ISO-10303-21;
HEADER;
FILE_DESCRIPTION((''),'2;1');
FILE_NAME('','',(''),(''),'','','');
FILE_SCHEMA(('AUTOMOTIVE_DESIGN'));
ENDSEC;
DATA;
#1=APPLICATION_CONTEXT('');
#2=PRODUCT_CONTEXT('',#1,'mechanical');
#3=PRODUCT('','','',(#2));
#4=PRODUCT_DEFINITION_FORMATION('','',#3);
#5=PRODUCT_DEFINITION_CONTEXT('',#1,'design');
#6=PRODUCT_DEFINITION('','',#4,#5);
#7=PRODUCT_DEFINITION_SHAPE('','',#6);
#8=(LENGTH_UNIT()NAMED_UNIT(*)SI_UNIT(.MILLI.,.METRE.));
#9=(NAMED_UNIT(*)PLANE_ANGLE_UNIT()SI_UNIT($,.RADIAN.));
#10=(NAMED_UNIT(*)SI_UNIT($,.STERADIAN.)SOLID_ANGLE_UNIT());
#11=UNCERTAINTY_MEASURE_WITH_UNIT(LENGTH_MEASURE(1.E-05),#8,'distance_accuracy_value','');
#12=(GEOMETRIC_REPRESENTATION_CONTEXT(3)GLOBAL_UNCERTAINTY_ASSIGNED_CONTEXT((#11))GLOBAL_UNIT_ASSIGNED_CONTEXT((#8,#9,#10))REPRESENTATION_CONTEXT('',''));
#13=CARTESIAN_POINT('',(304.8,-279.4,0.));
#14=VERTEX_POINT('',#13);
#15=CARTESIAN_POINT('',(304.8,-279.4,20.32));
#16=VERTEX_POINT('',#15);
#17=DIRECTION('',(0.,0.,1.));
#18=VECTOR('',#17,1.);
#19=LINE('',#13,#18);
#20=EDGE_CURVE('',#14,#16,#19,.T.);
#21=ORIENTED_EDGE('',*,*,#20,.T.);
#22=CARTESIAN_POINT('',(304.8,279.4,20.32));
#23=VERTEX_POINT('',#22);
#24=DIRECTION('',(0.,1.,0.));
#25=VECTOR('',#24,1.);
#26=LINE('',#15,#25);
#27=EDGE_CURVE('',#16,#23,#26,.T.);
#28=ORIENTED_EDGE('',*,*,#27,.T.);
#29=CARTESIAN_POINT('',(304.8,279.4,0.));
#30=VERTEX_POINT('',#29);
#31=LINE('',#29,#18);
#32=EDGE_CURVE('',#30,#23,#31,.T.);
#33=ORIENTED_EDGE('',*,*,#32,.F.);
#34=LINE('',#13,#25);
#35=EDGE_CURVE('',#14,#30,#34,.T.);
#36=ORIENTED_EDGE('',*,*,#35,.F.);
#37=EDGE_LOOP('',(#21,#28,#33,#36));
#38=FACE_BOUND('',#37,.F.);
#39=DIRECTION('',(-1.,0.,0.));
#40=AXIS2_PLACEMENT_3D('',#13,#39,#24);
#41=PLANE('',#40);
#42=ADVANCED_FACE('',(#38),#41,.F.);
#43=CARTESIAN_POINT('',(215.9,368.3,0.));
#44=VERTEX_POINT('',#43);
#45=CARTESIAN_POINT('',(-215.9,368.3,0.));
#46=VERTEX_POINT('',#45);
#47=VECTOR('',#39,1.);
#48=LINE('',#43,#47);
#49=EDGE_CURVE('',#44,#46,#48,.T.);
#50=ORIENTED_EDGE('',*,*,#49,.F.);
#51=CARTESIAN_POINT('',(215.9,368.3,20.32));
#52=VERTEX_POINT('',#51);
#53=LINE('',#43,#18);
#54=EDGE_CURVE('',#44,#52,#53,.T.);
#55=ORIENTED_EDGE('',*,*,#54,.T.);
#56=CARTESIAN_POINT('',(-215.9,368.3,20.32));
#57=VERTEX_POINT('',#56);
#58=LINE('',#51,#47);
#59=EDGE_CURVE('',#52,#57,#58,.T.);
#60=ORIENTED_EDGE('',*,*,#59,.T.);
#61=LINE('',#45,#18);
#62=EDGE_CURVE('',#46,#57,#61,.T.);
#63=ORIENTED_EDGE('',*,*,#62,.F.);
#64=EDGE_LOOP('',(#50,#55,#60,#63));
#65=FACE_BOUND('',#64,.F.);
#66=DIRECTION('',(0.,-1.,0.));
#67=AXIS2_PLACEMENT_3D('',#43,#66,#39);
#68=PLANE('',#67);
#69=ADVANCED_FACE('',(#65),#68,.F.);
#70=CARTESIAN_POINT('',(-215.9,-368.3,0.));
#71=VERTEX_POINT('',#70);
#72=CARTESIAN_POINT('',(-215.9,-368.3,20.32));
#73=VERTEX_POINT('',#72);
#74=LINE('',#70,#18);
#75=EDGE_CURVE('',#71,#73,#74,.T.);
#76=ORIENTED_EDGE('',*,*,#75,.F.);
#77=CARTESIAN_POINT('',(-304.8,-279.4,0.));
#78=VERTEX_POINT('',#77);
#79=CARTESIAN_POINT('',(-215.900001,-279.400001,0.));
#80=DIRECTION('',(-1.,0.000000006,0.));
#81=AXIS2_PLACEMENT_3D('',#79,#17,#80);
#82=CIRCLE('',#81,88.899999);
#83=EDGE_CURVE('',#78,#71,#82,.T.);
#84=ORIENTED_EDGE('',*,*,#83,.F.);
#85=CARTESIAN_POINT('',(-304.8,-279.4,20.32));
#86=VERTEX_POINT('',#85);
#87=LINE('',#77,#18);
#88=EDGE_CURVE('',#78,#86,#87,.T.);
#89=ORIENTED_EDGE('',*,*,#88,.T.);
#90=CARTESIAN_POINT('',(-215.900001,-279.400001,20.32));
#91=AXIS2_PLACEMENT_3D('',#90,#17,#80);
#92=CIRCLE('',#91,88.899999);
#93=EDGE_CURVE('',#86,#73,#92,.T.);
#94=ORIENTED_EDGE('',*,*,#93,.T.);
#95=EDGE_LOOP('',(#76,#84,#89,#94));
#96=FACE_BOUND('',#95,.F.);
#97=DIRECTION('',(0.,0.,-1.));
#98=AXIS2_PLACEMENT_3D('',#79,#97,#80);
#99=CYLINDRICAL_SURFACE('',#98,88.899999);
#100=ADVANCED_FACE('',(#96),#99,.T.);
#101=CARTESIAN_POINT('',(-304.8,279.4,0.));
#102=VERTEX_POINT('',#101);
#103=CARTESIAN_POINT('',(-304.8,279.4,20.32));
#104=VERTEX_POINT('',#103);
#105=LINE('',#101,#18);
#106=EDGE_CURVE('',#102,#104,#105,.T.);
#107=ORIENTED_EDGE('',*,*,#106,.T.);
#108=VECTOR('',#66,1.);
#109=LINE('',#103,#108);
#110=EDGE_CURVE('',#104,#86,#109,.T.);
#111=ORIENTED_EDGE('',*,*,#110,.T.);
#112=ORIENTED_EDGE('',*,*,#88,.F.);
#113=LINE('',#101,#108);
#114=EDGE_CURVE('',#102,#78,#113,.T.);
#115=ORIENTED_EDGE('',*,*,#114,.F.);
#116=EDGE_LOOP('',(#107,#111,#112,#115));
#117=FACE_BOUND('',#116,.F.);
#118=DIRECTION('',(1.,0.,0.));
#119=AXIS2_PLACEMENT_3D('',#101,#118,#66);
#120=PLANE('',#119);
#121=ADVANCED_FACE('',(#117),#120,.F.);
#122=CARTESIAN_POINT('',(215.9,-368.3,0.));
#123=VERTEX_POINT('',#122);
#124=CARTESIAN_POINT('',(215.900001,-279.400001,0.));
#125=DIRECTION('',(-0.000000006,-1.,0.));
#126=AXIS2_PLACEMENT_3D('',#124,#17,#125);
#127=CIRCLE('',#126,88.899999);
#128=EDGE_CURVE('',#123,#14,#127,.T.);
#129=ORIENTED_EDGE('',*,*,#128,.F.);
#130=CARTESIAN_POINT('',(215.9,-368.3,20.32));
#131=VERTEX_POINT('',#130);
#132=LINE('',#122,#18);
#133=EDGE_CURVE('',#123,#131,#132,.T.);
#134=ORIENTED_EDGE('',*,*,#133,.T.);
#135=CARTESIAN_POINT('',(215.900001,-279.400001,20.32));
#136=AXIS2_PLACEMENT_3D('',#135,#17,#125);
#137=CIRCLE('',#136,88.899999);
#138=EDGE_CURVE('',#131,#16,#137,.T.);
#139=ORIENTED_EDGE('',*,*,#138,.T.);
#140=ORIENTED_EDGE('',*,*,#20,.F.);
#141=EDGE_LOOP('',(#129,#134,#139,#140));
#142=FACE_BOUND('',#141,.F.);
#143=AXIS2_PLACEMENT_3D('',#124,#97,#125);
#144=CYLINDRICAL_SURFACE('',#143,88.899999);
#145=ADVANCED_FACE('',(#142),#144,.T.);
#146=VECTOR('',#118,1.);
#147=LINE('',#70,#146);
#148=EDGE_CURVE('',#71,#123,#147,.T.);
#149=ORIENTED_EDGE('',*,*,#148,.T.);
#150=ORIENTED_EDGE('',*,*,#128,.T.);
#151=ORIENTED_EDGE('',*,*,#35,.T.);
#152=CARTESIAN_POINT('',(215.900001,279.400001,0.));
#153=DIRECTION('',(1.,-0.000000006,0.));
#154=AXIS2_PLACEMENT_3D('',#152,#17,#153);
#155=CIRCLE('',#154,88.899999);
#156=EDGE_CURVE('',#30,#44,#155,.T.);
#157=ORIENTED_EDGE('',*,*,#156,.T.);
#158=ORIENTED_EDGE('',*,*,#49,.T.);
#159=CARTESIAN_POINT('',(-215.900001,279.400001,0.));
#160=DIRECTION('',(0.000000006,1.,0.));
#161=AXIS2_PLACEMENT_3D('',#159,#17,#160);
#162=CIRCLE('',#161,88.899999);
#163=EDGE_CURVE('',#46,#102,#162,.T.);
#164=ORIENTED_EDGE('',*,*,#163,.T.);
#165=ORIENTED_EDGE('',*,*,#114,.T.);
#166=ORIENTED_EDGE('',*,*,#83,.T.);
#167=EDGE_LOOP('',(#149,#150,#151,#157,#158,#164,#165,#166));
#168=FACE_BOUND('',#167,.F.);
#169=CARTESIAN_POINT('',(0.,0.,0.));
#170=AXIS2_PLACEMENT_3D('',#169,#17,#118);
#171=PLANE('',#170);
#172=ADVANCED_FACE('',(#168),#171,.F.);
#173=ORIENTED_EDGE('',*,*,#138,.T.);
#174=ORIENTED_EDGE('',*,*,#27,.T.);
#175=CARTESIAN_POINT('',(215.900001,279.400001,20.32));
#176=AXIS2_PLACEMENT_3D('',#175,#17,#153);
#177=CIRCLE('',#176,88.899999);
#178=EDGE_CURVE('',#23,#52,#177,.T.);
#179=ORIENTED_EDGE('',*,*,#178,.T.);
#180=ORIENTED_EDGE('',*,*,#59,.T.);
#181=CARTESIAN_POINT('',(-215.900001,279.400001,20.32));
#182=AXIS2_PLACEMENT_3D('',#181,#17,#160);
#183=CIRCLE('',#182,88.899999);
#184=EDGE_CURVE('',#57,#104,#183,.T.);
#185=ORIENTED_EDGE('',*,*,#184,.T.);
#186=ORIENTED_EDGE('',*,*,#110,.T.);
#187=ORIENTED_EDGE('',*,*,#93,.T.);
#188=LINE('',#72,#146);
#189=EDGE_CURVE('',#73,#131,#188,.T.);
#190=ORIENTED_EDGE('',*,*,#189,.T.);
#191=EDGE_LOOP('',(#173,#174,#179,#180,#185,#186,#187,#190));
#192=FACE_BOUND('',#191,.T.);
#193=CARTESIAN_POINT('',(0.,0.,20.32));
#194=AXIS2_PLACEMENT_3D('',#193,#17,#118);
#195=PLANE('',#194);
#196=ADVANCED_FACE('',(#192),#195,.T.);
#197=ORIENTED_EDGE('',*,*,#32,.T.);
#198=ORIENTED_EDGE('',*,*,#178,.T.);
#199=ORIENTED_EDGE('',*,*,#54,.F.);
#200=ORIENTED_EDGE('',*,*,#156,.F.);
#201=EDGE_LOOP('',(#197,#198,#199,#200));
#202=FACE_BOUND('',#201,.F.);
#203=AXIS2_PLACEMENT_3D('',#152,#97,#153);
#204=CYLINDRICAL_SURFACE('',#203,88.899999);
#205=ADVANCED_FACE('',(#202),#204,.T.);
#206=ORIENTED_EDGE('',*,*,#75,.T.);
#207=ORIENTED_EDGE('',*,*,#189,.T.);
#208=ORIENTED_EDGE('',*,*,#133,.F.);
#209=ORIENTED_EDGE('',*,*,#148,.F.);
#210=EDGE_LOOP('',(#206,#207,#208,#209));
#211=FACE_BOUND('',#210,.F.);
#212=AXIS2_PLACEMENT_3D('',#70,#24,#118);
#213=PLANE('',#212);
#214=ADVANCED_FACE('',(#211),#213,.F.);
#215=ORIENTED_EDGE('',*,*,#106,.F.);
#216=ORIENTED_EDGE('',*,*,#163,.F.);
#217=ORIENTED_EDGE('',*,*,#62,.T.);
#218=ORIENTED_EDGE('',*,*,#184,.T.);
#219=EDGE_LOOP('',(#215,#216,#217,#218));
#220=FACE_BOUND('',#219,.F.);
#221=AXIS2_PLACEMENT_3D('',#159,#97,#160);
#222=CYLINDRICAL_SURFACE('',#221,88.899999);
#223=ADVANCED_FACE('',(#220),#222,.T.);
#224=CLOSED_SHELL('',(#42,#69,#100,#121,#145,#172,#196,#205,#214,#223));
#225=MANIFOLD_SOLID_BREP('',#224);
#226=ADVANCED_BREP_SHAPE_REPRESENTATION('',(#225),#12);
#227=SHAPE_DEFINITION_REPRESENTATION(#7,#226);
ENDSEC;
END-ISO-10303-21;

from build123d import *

# Parameters (mm, degrees)
F1_DEPTH = 20.32


with BuildPart() as f1:
    # F0 (on Top) → F1 (new body)
    with BuildSketch(Plane.XY):
        with BuildLine():
            Line((190.5, -368.3), (215.9, -368.3))
            ThreePointArc((215.9, -368.3), (278.761793, -342.261793), (304.8, -279.4))
            Line((304.8, -279.4), (304.8, 279.4))
            ThreePointArc((304.8, 279.4), (278.761793, 342.261793), (215.9, 368.3))
            Line((215.9, 368.3), (-215.9, 368.3))
            ThreePointArc((-215.9, 368.3), (-278.761793, 342.261793), (-304.8, 279.4))
            Line((-304.8, 279.4), (-304.8, -279.4))
            ThreePointArc((-304.8, -279.4), (-278.761793, -342.261793), (-215.9, -368.3))
            Line((-215.9, -368.3), (-190.5, -368.3))
            Line((-190.5, -368.3), (190.5, -368.3))
        make_face()
    extrude(amount=F1_DEPTH)


solid = f1.part
